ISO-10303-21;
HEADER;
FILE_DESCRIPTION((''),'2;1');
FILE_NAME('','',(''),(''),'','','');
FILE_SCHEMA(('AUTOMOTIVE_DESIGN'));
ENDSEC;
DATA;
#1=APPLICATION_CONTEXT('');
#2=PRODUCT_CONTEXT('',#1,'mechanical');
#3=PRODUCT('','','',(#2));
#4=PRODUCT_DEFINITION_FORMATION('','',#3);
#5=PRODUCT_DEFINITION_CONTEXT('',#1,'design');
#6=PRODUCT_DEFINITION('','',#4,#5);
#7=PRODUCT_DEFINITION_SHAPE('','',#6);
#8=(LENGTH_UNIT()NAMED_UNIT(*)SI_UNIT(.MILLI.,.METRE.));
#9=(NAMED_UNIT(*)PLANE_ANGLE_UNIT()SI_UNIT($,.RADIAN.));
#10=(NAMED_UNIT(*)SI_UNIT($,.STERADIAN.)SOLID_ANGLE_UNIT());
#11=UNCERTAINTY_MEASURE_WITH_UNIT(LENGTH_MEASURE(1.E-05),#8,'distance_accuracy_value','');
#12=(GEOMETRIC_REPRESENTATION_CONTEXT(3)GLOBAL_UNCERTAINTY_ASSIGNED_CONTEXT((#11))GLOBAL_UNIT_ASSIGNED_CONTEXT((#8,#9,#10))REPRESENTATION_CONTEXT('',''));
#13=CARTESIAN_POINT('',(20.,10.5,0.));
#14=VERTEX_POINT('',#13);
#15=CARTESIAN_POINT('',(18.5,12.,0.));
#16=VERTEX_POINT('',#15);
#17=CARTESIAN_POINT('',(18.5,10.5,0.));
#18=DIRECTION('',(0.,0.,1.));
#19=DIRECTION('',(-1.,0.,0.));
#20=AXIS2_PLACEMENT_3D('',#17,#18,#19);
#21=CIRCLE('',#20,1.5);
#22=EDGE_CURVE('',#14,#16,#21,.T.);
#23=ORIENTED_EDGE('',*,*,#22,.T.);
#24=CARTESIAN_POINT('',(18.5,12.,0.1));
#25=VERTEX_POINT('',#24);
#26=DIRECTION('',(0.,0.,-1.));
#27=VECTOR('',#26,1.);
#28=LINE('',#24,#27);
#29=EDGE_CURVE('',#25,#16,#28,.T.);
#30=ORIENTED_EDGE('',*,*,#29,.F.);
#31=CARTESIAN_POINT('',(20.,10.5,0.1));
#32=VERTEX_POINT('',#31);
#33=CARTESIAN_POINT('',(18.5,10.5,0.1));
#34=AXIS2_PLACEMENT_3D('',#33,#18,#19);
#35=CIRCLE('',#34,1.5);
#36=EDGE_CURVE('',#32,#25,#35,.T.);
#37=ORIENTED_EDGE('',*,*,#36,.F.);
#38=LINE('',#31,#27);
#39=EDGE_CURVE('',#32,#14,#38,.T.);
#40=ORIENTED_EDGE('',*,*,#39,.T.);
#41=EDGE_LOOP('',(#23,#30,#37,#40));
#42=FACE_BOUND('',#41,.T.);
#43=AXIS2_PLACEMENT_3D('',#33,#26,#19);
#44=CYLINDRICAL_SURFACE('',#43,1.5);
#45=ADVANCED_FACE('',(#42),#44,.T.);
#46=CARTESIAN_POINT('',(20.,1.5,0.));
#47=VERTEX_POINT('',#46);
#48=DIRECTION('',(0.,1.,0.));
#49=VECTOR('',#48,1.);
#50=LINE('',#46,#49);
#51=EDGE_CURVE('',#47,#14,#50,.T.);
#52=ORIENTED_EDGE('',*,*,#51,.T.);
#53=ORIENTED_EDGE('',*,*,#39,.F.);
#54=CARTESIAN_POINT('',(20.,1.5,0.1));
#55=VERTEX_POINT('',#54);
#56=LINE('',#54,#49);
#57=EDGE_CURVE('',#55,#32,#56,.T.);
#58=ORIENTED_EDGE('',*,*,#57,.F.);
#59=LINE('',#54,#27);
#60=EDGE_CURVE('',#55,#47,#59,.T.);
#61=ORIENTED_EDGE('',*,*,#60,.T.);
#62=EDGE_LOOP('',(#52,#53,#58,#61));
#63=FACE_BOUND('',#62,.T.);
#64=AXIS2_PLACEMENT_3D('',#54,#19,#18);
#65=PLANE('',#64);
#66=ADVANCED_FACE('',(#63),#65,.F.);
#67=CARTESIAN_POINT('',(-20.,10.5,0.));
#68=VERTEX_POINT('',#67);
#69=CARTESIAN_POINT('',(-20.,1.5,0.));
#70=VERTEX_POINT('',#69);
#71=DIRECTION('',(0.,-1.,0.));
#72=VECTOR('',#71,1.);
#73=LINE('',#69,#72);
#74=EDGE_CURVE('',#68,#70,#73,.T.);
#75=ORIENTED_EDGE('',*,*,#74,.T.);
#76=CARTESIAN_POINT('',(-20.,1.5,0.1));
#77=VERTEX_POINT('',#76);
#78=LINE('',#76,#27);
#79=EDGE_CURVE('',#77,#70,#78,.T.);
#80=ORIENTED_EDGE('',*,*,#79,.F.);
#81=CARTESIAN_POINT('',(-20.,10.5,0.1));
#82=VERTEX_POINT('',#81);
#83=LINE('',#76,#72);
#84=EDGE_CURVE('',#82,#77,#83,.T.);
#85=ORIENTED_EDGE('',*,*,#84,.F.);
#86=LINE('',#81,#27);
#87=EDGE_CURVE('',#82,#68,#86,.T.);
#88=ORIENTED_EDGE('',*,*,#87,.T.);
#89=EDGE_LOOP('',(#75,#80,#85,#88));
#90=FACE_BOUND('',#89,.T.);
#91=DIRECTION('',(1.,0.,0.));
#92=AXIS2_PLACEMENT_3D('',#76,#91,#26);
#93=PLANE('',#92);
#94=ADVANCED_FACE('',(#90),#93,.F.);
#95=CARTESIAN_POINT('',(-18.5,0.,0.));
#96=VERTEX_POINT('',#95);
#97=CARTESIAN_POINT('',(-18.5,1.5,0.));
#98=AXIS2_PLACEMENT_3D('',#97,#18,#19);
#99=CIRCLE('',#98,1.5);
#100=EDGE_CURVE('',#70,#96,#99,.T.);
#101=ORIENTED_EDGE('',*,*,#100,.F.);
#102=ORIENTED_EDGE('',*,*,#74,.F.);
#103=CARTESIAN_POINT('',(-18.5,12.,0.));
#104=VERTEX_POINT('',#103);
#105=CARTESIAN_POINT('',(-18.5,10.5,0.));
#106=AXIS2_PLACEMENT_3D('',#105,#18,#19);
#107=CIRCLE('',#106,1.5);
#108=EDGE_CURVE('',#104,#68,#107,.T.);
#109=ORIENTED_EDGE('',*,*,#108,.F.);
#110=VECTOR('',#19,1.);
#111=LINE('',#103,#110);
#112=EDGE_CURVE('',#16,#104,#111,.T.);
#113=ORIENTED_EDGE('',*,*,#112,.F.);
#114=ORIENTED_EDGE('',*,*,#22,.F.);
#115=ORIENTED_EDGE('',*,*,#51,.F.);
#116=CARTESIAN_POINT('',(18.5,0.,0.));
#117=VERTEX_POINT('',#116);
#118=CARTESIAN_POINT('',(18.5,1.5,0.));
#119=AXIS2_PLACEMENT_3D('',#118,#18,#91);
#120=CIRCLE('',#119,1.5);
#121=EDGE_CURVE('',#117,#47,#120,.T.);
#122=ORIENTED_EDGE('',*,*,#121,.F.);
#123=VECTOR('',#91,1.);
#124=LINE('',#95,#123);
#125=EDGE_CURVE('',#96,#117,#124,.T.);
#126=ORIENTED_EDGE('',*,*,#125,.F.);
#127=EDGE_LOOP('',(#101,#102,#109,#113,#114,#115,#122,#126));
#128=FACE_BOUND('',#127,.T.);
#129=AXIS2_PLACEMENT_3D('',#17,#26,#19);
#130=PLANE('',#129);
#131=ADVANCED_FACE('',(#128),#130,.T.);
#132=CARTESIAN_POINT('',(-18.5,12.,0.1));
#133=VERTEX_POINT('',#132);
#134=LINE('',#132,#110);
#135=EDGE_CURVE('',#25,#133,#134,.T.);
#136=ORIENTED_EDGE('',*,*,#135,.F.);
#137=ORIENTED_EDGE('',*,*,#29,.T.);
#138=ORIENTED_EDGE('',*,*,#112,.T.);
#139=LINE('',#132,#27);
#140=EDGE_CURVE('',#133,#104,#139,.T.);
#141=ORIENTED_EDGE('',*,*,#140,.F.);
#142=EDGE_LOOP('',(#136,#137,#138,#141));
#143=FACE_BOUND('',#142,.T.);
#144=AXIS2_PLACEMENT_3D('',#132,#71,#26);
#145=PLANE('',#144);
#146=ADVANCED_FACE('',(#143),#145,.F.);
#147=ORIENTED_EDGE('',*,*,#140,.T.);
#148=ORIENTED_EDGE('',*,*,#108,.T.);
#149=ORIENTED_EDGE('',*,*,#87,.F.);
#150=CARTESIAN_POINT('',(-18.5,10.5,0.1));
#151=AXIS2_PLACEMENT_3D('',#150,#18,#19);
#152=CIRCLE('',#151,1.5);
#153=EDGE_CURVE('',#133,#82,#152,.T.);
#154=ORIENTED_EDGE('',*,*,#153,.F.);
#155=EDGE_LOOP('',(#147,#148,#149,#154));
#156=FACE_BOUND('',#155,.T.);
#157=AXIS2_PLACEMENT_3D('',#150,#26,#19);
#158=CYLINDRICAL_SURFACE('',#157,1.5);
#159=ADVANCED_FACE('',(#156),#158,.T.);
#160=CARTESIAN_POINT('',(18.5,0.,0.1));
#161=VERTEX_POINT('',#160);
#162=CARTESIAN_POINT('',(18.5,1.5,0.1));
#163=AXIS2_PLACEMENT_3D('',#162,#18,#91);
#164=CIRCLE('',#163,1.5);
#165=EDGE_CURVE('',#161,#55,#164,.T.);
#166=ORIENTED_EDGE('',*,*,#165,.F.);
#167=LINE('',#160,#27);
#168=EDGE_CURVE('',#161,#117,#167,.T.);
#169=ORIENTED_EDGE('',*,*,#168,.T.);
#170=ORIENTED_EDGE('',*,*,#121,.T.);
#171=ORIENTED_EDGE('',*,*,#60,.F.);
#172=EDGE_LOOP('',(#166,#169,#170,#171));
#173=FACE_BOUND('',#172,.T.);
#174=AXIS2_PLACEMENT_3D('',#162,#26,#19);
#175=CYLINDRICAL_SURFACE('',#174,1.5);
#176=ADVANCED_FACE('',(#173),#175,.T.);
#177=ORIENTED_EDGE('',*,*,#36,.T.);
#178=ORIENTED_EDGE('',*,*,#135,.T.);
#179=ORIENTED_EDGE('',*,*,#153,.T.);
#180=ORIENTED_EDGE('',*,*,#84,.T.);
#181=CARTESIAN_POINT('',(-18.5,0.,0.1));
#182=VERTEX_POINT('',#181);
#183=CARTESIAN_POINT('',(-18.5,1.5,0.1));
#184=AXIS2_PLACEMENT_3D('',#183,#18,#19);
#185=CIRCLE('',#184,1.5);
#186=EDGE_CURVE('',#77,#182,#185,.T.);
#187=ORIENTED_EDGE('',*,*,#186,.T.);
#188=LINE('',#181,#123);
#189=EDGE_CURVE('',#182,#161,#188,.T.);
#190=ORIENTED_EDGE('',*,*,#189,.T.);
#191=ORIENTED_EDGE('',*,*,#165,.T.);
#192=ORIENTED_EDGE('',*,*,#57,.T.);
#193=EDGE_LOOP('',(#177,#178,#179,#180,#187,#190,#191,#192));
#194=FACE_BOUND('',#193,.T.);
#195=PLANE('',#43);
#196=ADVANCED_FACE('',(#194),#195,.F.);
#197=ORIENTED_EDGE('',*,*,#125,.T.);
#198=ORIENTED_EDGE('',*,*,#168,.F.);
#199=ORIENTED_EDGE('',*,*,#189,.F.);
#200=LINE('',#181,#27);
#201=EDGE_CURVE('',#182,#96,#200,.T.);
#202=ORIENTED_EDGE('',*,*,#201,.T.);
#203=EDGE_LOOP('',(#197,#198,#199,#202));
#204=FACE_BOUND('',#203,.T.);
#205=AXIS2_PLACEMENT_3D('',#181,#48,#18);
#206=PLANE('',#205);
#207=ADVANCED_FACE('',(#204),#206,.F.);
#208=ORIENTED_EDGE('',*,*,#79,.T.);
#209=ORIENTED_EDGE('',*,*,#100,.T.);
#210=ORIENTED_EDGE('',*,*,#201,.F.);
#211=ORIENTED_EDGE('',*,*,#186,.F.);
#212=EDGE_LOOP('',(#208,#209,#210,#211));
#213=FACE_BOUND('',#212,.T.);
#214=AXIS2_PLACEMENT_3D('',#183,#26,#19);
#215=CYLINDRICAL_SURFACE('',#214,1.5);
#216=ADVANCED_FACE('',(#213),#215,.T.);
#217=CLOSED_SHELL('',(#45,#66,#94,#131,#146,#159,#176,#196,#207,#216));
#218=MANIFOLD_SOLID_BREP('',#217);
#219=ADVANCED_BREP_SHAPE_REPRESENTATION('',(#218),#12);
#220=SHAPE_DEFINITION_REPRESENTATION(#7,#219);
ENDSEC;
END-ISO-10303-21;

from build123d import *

# Parameters (mm, degrees)
BOSS_EXTRUDE1_DEPTH = 0.1


with BuildPart() as part:
    # Sketch1 → Boss-Extrude1 (new body)
    with BuildSketch(Plane.XY):
        with BuildLine():
            Line((-18.5, 0), (18.5, 0))
            ThreePointArc((18.5, 0), (19.560660172, 0.439339828), (20, 1.5))
            Line((20, 1.5), (20, 10.5))
            ThreePointArc((20, 10.5), (19.560660172, 11.560660172), (18.5, 12))
            Line((18.5, 12), (-18.5, 12))
            ThreePointArc((-18.5, 12), (-19.560660172, 11.560660172), (-20, 10.5))
            Line((-20, 10.5), (-20, 1.5))
            ThreePointArc((-20, 1.5), (-19.560660172, 0.439339828), (-18.5, 0))
        make_face()
    extrude(amount=BOSS_EXTRUDE1_DEPTH)


solid = part.part
